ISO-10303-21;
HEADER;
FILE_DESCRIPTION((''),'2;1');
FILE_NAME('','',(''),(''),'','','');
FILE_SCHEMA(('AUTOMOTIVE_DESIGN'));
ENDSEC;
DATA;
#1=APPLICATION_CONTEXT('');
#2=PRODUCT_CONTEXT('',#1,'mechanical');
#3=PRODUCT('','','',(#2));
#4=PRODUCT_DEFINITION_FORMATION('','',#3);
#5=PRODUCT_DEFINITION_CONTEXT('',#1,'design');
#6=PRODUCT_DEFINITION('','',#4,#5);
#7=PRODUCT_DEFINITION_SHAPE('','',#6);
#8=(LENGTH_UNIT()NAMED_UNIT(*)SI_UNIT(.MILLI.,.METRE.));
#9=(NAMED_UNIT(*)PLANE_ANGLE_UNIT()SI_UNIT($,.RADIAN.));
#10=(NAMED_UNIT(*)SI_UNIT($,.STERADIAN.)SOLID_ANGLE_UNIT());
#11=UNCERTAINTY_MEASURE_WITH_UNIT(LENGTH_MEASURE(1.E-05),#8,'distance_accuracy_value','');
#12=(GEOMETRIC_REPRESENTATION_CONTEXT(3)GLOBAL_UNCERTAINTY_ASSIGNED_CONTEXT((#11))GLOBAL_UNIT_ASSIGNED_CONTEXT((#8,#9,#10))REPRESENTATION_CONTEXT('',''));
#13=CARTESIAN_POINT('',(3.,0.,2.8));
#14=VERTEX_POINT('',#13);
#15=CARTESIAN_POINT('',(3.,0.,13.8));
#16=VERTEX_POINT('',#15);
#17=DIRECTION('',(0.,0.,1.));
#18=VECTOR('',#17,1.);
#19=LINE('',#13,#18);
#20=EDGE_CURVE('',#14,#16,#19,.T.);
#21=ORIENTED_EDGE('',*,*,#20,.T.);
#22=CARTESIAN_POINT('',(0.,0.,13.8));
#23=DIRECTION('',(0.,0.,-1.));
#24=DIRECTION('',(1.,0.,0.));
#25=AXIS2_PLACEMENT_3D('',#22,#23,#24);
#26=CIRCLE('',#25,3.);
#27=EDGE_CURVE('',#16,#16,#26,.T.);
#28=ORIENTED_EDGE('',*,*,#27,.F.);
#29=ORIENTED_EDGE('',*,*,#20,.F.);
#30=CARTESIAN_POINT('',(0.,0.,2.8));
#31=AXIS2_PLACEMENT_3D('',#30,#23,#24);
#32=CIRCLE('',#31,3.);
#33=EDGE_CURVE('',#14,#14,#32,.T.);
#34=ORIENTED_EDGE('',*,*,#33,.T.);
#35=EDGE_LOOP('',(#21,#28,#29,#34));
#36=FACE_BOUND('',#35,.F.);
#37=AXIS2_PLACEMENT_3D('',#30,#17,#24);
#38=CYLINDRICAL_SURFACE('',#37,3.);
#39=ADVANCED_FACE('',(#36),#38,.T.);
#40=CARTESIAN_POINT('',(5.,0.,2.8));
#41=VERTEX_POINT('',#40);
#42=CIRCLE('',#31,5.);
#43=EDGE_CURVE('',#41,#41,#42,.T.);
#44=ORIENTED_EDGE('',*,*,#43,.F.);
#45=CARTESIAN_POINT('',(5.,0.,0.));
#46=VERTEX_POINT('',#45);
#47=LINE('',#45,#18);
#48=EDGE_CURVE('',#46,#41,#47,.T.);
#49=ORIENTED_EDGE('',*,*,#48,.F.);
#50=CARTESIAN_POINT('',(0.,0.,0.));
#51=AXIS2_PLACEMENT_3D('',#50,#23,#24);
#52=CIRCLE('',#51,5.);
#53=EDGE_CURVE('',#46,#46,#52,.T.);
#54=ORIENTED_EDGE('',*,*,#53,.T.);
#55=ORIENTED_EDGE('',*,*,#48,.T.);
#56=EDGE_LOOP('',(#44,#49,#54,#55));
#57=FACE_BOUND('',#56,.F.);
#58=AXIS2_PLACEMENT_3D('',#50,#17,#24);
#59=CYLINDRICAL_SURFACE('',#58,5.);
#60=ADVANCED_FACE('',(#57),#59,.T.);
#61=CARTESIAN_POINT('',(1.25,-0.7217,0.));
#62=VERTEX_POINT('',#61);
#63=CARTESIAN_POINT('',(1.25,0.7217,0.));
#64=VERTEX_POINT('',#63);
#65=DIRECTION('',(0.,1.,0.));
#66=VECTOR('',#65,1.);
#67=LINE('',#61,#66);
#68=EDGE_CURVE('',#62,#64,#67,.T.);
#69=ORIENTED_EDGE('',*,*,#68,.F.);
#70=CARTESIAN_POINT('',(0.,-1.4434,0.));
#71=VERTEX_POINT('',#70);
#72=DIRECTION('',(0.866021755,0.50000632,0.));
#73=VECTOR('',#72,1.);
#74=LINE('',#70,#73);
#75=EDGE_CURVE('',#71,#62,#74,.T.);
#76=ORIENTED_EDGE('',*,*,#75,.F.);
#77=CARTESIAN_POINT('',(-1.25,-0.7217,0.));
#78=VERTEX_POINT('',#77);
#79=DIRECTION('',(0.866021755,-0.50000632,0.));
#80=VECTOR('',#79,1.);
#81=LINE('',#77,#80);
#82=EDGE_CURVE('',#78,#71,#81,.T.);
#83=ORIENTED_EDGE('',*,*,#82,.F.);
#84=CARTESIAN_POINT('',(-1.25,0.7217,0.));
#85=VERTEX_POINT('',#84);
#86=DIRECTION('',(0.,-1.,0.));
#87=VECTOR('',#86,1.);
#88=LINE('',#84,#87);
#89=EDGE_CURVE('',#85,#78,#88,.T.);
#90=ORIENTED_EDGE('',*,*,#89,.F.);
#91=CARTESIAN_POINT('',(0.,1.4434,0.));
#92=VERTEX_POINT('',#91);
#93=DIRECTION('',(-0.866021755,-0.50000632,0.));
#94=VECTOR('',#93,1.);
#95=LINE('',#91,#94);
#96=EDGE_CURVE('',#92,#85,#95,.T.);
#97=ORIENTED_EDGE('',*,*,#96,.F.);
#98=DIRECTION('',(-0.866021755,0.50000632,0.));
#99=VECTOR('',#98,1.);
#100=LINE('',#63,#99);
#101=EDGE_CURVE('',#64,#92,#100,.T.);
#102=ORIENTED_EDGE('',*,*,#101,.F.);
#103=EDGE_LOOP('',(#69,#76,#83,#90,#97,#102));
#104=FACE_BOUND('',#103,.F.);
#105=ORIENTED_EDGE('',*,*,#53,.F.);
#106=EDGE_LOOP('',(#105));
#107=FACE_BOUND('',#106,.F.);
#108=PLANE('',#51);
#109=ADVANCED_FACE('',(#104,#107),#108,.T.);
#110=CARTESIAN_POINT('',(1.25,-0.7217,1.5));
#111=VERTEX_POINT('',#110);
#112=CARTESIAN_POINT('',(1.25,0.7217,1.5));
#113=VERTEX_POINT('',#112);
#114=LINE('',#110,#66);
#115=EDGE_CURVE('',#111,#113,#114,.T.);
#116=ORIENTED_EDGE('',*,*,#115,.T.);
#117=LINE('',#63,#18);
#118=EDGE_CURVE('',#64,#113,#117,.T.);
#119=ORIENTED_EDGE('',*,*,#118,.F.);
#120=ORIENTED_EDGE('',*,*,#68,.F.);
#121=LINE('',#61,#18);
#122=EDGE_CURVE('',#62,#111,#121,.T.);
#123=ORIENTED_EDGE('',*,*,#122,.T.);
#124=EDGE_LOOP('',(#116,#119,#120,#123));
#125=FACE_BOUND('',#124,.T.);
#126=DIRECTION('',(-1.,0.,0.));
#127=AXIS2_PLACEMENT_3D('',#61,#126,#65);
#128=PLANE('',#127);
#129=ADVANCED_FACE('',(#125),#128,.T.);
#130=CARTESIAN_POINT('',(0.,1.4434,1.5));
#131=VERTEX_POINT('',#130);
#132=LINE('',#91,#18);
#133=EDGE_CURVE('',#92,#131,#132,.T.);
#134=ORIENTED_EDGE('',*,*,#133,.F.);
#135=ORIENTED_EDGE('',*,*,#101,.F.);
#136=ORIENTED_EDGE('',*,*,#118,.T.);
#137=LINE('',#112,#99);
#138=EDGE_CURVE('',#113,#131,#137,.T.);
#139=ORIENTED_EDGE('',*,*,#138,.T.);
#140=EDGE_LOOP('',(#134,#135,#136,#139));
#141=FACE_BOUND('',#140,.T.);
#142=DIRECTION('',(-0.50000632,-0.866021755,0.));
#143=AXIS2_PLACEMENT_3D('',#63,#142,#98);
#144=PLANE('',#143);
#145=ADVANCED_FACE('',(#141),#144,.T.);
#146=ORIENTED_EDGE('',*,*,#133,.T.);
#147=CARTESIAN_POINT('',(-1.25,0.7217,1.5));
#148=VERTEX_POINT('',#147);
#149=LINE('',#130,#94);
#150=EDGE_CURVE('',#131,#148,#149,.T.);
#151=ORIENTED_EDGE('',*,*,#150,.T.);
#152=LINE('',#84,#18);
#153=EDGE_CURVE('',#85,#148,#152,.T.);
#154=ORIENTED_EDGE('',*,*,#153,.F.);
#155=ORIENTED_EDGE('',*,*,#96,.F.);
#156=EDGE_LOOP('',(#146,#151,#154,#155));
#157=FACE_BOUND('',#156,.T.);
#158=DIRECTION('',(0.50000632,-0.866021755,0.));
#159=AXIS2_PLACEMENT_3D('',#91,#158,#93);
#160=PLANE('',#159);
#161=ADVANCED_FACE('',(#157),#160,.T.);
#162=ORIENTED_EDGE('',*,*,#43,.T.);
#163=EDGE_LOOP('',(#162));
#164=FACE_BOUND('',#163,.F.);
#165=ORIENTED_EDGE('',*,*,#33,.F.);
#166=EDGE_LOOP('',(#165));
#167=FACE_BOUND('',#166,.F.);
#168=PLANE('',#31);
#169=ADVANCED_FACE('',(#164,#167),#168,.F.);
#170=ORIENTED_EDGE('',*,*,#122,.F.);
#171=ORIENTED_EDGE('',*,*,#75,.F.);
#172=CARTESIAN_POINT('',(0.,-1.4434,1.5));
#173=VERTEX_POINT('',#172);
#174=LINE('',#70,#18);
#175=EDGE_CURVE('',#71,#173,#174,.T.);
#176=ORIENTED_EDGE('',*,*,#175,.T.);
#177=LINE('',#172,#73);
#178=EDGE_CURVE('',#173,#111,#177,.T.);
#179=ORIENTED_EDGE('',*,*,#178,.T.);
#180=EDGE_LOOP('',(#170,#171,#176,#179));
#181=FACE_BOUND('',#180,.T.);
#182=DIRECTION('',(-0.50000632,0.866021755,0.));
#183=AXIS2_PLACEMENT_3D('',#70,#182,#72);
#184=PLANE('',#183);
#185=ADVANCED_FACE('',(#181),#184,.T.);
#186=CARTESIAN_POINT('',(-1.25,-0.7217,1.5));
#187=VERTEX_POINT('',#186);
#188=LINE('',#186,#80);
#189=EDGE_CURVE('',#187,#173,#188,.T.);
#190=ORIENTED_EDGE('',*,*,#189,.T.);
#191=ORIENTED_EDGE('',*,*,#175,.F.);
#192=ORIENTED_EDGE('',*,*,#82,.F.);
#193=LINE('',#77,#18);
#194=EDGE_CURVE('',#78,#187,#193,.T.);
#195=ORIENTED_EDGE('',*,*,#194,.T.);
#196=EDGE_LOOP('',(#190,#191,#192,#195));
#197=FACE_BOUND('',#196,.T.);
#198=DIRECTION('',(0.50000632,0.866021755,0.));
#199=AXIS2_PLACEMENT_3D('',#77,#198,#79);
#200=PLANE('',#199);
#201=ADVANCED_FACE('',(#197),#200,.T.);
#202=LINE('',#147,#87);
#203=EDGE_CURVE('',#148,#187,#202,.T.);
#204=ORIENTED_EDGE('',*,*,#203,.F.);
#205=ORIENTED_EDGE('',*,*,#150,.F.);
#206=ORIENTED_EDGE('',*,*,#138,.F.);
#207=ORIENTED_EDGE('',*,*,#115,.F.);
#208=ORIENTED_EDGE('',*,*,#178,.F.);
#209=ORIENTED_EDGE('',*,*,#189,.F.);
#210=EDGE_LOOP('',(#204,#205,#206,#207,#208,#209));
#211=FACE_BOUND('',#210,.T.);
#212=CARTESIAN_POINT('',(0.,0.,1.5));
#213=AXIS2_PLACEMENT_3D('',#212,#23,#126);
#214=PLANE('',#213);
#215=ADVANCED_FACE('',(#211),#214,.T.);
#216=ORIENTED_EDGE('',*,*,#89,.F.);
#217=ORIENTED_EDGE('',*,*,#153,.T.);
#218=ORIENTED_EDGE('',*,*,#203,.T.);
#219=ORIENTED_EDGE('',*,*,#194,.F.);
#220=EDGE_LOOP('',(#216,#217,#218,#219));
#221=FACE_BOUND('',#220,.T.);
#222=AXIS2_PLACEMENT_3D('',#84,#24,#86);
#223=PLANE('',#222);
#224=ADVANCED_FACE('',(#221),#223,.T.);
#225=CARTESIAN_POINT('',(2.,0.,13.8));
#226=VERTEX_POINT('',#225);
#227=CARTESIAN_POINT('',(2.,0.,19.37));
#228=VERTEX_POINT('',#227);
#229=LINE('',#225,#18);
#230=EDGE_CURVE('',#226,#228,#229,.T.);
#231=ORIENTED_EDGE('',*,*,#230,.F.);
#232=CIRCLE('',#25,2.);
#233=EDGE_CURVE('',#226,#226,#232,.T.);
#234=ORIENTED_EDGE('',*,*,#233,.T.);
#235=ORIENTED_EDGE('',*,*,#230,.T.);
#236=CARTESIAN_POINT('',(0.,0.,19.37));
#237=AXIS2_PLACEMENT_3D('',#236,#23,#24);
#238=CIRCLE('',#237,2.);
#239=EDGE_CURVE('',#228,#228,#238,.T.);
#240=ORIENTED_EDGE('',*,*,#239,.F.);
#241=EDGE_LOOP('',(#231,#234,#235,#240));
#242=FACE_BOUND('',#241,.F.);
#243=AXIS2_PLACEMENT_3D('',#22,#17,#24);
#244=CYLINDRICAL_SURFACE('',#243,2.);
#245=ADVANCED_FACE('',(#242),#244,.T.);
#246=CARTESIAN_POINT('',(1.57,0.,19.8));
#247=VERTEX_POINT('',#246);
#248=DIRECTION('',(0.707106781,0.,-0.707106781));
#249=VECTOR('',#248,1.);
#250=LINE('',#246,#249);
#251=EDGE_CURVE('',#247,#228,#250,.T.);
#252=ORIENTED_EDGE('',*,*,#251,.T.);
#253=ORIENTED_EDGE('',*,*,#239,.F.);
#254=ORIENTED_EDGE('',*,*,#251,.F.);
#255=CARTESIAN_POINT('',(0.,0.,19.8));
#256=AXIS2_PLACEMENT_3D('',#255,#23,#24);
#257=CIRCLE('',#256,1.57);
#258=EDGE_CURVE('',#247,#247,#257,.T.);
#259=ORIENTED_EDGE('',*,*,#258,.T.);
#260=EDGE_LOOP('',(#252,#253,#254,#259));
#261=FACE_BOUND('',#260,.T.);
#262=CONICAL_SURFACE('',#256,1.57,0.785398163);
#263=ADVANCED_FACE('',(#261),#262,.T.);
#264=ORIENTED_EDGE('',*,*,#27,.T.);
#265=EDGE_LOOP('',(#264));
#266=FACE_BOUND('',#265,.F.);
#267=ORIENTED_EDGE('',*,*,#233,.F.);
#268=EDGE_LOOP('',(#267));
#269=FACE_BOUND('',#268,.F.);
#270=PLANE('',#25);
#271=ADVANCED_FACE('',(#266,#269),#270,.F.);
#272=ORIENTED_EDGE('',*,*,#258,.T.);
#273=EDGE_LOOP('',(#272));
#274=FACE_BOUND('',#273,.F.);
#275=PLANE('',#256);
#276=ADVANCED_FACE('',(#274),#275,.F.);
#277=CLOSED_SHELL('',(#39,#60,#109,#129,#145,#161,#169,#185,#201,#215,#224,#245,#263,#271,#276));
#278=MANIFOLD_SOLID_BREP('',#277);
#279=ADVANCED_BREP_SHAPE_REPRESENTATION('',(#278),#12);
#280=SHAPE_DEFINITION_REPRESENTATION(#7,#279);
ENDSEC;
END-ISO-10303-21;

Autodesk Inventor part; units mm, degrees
ref_plane "YZ Plane" through (0, 0, 0) normal (1, 0, 0) x (0, 1, 0)
ref_plane "XZ Plane" through (0, 0, 0) normal (0, 1, 0) x (-1, 0, 0)
ref_plane "XY Plane" through (0, 0, 0) normal (0, 0, 1) x (1, 0, 0)
sketch "スケッチ1" plane through (0, 0, 0) normal (0, 1, 0) x (-1, 0, 0)
  line L0 (0, 0) -> (-5, 0)
  line L1 (-5, 0) -> (-5, 2.8)
  line L2 (-5, 2.8) -> (-3, 2.8)
  line L3 (-3, 2.8) -> (-3, 13.8)
  line L4 (-3, 13.8) -> (-2, 13.8)
  line L5 (-2, 13.8) -> (-2, 19.37)
  line L6 (-1.57, 19.8) -> (0, 19.8)
  line L7 (0, 19.8) -> (0, 0)
  line L8 (-1.57, 19.8) -> (-2, 19.37)
  point P0 (-2, 19.8)
  dimension "d0" = 6
  dimension "d1" = 11
  dimension "d2" = 2.8
  dimension "d3" = 0.43
  dimension "d4" = 0.43
  dimension "d5" = 4
  dimension "d6" = 10
  dimension "d7" = 6
revolve "回転1" add sketch "スケッチ1" angle 360 about axis through (0, 0, 19.8) along (0, 0, -1)
thread "ねじ1" size "M4x0.7" class "6g" standard "ANSI Metric M Profile" length 7.57 offset 1.2
sketch "スケッチ2" plane through (0, 0, 0) normal (0, 0, -1) x (-1, 0, 0)
  line L0 (0, -1.4434) -> (-1.25, -0.7217)
  line L1 (-1.25, -0.7217) -> (-1.25, 0.7217)
  line L2 (-1.25, 0.7217) -> (0, 1.4434)
  line L3 (0, 1.4434) -> (1.25, 0.7217)
  line L4 (1.25, 0.7217) -> (1.25, -0.7217)
  line L5 (1.25, -0.7217) -> (0, -1.4434)
  point P0 (0, 0)
  point P1 (0, 0)
  dimension "d11" = 2.5
extrude "押し出し1" cut sketch "スケッチ2" against normal blind 1.5
equation "\"d4\" = d3"
properties part number "DBTS4-11-6" material "ステンレス鋼 AISI 304"
